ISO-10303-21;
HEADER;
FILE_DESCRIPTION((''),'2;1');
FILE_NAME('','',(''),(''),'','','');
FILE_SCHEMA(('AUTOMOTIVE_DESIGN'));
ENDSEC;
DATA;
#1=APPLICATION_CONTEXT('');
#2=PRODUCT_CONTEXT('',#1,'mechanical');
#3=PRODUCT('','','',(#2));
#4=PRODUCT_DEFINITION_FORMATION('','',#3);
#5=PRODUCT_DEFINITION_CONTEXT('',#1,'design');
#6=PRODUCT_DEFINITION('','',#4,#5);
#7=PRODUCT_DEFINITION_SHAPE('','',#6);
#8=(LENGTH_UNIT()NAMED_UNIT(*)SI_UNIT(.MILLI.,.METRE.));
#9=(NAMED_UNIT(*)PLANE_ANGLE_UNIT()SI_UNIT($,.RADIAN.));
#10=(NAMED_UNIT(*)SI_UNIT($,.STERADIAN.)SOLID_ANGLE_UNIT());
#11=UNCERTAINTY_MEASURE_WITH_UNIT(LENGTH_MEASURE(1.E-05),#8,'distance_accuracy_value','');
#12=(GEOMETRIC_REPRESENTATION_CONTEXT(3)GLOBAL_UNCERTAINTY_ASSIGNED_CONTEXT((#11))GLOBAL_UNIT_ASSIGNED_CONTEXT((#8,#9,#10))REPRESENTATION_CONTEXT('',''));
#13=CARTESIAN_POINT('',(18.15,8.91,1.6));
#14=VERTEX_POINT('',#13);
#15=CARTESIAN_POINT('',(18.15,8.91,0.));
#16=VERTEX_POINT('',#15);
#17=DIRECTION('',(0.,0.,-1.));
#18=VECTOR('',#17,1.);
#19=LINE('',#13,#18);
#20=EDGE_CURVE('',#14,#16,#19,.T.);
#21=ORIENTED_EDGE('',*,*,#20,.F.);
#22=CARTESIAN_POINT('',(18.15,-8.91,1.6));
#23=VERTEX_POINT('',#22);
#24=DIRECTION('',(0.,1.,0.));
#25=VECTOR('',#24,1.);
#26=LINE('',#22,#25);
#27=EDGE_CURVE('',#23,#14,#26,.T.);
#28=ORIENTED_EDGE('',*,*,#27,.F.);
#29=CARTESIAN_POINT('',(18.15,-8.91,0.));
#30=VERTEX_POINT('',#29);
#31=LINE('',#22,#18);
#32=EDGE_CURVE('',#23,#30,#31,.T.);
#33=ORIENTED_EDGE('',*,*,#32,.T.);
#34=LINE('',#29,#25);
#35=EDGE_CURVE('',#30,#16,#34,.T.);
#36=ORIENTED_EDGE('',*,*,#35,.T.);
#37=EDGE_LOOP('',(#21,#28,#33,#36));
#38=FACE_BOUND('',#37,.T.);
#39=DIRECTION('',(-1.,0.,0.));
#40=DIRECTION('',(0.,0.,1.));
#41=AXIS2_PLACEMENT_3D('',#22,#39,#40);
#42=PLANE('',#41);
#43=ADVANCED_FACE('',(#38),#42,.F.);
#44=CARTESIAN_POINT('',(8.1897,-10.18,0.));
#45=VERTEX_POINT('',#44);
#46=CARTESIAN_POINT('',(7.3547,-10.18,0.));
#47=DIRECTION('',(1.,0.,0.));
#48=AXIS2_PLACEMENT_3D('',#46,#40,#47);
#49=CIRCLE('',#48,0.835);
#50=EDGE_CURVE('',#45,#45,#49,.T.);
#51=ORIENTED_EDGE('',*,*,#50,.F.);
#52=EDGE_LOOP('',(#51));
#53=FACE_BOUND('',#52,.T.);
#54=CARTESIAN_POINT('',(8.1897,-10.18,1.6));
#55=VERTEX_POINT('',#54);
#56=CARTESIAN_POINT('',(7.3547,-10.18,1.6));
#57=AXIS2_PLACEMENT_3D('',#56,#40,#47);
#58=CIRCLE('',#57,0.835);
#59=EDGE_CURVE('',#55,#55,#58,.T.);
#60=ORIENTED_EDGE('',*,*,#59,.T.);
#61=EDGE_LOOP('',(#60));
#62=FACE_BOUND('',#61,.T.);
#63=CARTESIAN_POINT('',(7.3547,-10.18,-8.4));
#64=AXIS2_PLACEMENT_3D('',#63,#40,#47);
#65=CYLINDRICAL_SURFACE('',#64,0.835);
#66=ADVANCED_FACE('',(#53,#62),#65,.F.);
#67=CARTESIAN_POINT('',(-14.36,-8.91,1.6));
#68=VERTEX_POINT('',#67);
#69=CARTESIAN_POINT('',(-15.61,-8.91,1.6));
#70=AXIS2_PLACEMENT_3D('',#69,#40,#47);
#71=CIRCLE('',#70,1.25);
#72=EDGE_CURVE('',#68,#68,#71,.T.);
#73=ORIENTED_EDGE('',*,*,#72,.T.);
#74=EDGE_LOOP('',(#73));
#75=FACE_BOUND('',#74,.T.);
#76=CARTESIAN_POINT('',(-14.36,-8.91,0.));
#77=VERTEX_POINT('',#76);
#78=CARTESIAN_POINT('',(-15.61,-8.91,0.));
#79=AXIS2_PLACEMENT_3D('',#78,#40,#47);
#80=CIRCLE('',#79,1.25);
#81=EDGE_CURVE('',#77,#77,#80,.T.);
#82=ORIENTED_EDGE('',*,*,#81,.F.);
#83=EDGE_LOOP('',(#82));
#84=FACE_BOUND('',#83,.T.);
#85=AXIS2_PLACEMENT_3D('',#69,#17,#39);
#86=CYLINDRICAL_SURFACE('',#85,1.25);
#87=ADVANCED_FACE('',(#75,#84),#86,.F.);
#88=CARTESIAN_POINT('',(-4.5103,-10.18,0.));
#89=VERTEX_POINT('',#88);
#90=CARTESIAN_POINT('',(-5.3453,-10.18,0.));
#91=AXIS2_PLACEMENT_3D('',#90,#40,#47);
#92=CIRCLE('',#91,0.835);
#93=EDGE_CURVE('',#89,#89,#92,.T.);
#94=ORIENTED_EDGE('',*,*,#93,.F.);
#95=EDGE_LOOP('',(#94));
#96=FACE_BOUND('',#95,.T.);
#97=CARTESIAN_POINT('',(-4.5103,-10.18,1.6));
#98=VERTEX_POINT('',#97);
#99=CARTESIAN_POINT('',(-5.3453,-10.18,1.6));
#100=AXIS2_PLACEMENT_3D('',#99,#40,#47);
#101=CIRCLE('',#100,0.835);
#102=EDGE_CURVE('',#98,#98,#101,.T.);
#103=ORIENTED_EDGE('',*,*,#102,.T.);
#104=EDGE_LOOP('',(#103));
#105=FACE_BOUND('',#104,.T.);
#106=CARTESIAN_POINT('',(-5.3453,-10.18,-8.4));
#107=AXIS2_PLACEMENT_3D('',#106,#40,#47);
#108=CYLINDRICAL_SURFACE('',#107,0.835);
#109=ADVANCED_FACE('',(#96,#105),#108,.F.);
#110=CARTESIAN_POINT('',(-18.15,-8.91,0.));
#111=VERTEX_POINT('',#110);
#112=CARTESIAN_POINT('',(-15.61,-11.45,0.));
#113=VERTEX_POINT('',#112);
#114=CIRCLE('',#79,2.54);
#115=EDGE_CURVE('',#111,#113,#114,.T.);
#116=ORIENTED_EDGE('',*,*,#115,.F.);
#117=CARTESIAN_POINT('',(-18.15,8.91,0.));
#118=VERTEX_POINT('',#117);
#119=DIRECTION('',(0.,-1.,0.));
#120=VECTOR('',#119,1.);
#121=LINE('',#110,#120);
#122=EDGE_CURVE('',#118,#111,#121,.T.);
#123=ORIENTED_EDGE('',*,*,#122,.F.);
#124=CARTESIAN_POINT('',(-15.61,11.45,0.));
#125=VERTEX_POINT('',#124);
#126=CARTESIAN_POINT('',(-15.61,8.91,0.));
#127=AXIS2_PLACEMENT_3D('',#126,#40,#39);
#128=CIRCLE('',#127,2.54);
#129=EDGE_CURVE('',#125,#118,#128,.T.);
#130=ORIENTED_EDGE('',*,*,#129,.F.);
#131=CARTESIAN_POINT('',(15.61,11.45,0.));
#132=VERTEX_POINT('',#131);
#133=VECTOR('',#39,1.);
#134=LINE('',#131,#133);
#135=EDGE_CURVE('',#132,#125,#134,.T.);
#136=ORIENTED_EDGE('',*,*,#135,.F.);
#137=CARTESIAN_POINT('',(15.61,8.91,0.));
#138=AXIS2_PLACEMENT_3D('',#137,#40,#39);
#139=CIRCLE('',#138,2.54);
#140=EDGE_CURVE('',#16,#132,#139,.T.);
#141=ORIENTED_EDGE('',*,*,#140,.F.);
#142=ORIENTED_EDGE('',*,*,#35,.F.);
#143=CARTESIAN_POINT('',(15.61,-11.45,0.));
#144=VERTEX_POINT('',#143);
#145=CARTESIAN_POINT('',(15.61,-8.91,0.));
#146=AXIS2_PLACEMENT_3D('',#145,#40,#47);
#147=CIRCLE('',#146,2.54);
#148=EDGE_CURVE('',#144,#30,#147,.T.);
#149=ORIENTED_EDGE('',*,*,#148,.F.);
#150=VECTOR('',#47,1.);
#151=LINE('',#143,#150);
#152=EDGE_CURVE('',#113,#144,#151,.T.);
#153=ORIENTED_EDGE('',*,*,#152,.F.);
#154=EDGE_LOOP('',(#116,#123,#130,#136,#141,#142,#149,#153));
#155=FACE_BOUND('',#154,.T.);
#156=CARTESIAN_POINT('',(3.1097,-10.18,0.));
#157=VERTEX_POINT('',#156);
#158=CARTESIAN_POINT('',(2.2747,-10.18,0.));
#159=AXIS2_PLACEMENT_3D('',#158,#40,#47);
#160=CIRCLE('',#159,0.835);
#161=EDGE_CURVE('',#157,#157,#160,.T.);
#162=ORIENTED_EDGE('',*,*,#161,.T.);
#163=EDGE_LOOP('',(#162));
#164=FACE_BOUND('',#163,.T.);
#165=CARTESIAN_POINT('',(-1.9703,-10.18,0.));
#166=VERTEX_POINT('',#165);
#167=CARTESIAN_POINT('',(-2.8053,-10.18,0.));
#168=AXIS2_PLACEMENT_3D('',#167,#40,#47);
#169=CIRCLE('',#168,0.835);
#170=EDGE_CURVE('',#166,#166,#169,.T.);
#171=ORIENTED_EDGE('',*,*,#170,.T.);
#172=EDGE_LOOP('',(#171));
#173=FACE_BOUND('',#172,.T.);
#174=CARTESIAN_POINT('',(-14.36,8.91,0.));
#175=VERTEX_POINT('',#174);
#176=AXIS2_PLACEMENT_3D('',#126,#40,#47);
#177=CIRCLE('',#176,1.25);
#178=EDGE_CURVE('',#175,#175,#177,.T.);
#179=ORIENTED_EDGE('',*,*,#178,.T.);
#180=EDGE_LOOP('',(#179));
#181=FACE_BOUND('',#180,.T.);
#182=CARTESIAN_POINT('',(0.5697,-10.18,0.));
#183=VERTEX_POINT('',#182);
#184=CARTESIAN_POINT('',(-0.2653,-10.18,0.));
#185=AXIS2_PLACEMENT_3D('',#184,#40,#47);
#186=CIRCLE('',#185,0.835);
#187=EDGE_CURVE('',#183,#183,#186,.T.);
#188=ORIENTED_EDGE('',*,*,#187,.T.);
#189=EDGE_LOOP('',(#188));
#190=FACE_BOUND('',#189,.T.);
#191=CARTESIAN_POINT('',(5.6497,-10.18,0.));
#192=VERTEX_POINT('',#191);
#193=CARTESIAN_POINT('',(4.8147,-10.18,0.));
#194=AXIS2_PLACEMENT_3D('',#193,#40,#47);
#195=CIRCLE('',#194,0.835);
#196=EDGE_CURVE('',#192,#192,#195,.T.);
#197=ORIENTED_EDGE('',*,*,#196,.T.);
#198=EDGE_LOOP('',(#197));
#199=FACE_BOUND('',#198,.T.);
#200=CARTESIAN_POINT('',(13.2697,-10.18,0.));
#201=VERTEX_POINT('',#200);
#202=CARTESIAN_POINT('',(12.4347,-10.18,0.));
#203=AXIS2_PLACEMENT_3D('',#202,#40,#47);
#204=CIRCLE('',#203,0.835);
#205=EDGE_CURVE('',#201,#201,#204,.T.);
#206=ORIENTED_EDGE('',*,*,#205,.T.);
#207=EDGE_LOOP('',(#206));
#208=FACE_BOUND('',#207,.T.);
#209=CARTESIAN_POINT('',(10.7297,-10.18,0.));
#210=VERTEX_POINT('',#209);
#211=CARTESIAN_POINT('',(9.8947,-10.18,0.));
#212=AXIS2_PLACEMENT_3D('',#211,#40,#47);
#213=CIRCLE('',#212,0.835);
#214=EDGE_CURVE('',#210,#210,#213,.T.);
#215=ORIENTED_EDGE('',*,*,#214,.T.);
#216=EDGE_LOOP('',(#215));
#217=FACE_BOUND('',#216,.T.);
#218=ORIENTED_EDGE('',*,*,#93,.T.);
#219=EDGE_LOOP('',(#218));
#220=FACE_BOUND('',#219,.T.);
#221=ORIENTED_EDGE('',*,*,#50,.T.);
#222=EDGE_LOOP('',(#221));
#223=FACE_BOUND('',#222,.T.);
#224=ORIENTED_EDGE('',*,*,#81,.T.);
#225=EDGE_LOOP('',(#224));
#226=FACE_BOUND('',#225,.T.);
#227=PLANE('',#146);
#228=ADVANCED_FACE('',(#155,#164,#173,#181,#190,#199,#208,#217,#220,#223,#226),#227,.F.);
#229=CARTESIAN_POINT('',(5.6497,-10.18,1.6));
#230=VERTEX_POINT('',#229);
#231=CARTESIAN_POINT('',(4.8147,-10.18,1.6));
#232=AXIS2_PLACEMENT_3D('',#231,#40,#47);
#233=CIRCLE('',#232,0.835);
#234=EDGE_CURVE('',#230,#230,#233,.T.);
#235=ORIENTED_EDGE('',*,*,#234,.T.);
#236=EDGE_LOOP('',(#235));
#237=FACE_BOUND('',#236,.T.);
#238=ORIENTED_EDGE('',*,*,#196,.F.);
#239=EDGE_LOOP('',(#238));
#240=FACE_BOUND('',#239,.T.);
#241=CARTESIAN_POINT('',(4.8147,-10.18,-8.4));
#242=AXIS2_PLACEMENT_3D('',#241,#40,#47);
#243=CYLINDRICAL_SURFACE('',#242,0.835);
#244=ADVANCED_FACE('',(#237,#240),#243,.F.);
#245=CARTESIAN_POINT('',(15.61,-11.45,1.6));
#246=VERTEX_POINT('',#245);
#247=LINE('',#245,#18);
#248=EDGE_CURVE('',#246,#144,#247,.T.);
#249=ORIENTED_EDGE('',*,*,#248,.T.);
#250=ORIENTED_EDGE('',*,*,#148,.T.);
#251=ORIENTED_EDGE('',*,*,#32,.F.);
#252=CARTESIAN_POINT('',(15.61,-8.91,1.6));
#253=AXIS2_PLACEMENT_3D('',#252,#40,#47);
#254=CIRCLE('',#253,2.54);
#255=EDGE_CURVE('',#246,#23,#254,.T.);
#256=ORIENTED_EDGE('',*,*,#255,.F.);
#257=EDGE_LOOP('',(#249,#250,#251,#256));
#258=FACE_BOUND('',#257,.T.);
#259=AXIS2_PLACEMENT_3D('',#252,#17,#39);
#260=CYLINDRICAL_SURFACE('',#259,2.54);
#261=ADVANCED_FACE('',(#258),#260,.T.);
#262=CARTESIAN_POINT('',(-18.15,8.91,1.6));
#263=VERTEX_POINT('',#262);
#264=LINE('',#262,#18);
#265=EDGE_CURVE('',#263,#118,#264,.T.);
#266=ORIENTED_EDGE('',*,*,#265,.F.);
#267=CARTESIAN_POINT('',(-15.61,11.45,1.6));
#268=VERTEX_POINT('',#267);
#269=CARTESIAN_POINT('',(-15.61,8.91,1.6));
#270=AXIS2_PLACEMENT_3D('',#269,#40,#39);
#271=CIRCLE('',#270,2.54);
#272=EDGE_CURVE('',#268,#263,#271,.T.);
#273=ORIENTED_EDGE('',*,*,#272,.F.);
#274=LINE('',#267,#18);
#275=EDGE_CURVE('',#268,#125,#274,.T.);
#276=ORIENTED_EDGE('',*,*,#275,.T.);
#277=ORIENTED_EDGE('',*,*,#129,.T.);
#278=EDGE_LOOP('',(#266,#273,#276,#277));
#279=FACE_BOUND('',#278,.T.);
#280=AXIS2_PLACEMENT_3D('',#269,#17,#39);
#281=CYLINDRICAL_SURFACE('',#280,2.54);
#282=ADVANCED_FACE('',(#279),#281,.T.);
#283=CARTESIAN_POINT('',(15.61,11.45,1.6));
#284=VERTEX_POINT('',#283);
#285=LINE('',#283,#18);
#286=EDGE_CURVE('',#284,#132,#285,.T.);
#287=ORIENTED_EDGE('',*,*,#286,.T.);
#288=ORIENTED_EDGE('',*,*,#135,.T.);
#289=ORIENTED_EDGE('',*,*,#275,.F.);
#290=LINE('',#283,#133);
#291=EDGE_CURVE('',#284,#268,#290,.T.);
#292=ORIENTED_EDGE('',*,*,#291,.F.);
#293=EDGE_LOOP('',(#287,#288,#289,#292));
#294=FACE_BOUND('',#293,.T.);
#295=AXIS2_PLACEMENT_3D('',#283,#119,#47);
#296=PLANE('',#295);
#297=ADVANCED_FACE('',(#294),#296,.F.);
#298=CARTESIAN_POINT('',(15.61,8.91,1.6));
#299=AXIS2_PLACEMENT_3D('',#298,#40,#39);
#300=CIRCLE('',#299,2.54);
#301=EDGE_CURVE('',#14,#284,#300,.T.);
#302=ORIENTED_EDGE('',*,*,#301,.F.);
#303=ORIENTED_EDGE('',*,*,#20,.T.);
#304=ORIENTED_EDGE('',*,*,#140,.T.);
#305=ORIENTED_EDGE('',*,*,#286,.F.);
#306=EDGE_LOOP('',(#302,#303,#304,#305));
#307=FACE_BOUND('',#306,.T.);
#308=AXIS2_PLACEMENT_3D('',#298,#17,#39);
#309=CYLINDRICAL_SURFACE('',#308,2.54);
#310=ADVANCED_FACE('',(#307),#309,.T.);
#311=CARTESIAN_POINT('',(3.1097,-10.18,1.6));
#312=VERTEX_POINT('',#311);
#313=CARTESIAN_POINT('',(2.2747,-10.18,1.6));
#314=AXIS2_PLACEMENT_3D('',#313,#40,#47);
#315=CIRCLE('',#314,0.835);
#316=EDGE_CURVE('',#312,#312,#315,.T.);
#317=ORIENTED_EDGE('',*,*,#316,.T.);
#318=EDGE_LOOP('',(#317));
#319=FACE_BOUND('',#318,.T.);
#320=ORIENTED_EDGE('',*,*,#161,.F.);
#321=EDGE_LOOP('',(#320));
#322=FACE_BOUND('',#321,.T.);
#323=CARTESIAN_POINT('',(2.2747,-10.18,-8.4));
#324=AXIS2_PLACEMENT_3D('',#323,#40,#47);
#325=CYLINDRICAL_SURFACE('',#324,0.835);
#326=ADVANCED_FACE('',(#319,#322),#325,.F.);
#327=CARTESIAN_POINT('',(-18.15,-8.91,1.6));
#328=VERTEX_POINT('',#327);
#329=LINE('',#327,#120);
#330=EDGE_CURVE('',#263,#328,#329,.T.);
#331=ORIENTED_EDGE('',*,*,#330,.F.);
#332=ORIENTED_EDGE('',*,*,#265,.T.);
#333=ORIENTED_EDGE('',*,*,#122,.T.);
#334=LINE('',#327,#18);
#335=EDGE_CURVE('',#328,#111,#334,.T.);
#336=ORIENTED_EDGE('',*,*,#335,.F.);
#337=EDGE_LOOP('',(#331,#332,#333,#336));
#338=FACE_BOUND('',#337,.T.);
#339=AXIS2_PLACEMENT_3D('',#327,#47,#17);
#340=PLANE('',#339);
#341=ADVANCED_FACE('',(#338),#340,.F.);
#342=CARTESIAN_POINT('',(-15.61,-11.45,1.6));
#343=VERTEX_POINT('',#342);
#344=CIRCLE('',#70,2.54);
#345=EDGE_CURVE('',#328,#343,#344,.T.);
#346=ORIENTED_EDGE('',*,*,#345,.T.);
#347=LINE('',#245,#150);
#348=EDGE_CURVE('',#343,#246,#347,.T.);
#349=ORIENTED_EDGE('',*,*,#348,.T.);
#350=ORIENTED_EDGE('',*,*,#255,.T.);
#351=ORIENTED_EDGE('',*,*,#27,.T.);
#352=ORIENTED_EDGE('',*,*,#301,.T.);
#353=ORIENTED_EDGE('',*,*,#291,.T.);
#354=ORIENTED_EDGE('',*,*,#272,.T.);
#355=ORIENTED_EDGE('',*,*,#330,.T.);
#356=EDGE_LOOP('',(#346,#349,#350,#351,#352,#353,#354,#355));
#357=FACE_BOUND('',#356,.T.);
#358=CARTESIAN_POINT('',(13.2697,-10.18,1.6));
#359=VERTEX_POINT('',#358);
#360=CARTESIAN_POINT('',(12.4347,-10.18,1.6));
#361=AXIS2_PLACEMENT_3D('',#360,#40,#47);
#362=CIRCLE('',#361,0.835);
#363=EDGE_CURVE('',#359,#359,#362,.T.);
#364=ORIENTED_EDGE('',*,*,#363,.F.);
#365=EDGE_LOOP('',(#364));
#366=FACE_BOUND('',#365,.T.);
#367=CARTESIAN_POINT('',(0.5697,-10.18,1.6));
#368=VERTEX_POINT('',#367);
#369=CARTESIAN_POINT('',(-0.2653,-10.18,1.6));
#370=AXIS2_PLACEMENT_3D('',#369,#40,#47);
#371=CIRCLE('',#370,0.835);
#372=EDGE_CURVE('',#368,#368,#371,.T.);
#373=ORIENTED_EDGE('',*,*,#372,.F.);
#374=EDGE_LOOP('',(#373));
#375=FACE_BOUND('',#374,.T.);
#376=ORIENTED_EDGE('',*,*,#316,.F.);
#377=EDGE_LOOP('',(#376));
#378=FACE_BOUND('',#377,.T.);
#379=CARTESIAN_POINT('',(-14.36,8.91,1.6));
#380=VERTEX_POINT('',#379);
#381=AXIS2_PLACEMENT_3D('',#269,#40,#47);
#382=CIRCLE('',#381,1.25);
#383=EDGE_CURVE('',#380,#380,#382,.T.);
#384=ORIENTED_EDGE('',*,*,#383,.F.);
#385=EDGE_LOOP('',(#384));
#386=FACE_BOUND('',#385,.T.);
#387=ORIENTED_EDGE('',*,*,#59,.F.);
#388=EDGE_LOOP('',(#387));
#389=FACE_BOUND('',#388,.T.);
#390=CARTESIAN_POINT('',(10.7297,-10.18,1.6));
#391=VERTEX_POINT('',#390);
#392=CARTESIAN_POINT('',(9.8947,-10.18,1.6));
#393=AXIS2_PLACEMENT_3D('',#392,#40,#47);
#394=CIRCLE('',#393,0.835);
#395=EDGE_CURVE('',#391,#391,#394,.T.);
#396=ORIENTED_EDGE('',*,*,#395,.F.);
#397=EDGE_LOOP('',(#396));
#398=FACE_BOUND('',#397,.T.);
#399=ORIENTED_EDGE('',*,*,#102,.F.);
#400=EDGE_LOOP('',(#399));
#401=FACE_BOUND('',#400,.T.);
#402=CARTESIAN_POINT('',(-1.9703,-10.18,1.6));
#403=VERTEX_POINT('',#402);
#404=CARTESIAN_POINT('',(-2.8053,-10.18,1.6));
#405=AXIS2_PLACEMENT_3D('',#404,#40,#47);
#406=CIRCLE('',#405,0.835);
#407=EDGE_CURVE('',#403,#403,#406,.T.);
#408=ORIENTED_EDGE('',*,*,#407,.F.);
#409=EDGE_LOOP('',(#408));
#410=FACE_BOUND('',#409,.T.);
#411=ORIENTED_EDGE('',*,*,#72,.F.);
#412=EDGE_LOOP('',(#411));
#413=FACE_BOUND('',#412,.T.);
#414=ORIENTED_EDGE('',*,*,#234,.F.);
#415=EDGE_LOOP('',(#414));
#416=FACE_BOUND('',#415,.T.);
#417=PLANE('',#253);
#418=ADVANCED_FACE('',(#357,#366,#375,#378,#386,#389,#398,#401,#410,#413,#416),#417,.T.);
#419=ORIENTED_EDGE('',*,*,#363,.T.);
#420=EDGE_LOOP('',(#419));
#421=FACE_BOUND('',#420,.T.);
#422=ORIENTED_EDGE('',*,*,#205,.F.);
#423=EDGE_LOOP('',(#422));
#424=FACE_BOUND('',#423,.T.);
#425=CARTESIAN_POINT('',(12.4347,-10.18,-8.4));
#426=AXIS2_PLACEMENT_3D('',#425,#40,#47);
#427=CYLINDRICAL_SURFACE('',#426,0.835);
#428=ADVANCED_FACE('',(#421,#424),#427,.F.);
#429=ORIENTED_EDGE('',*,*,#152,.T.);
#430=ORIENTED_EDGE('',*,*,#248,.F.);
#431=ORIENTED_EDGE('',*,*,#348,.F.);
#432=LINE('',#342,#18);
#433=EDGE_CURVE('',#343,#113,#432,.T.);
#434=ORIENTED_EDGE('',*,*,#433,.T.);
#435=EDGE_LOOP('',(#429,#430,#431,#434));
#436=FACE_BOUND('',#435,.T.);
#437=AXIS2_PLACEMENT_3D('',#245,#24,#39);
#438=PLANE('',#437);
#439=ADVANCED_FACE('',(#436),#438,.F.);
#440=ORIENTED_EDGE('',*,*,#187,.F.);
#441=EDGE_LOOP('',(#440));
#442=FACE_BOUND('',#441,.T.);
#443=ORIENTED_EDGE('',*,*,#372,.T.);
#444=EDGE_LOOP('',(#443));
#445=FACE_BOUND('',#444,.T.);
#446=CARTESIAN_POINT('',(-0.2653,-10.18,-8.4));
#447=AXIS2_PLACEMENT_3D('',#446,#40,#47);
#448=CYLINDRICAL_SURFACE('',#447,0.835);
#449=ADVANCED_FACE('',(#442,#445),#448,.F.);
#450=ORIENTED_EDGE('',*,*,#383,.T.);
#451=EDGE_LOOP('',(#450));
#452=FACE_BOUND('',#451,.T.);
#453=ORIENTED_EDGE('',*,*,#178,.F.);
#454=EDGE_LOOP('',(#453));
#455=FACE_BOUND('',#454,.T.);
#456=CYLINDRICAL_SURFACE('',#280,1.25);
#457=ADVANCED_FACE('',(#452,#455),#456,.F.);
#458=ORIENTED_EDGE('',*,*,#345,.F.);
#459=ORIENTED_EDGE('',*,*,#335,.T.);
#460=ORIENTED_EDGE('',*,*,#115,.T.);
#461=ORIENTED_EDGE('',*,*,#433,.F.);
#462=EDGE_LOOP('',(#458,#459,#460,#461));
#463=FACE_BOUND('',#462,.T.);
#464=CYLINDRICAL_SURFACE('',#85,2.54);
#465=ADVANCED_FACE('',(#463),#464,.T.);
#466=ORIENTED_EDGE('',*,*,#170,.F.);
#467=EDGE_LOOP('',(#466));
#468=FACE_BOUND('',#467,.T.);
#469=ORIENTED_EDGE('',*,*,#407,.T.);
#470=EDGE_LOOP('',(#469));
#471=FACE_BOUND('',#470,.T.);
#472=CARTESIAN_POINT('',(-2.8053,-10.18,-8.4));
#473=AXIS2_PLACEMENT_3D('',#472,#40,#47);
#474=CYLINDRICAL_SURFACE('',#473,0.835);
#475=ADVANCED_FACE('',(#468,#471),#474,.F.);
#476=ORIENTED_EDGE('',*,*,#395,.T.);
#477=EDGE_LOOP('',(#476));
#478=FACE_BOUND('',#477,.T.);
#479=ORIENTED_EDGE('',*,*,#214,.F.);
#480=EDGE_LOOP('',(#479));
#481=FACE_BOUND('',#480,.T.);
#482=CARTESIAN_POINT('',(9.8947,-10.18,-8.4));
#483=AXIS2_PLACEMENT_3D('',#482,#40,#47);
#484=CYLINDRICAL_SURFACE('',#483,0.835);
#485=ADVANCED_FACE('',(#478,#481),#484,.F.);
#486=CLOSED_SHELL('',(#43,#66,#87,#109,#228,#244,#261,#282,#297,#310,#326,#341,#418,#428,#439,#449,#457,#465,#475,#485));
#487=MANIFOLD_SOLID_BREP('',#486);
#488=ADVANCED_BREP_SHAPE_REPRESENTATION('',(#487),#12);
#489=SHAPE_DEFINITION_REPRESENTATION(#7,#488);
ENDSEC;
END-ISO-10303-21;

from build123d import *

# Parameters (mm, degrees)
SKETCH1_R           = 1.25
BOSS_EXTRUDE1_DEPTH = 1.6
SKETCH2_R           = 0.835
CUT_EXTRUDE1_DEPTH  = 10


with BuildPart() as part:
    # Sketch1 → Boss-Extrude1 (new body)
    with BuildSketch(Plane.XY):
        with BuildLine():
            Line((15.61, -11.45), (-15.61, -11.45))
            ThreePointArc((-15.61, -11.45), (-17.406051224, -10.706051224), (-18.15, -8.91))
            Line((-18.15, -8.91), (-18.15, 8.91))
            ThreePointArc((-18.15, 8.91), (-17.406051224, 10.706051224), (-15.61, 11.45))
            Line((-15.61, 11.45), (15.61, 11.45))
            ThreePointArc((15.61, 11.45), (17.406051224, 10.706051224), (18.15, 8.91))
            Line((18.15, 8.91), (18.15, -8.91))
            ThreePointArc((18.15, -8.91), (17.406051224, -10.706051224), (15.61, -11.45))
        make_face()
        with Locations((-15.61, 8.91)):
            Circle(SKETCH1_R, mode=Mode.SUBTRACT)
        with Locations((-15.61, -8.91)):
            Circle(SKETCH1_R, mode=Mode.SUBTRACT)
    extrude(amount=BOSS_EXTRUDE1_DEPTH)

    # Sketch2 → Cut-Extrude1 (cut)
    with BuildSketch(Plane.XY.offset(1.6)):
        with Locations((12.4347, -10.18)):
            Circle(SKETCH2_R)
        with Locations((9.8947, -10.18)):
            Circle(SKETCH2_R)
        with Locations((7.3547, -10.18)):
            Circle(SKETCH2_R)
        with Locations((4.8147, -10.18)):
            Circle(SKETCH2_R)
        with Locations((2.2747, -10.18)):
            Circle(SKETCH2_R)
        with Locations((-0.2653, -10.18)):
            Circle(SKETCH2_R)
        with Locations((-2.8053, -10.18)):
            Circle(SKETCH2_R)
        with Locations((-5.3453, -10.18)):
            Circle(SKETCH2_R)
    extrude(amount=-CUT_EXTRUDE1_DEPTH, mode=Mode.SUBTRACT)


solid = part.part
